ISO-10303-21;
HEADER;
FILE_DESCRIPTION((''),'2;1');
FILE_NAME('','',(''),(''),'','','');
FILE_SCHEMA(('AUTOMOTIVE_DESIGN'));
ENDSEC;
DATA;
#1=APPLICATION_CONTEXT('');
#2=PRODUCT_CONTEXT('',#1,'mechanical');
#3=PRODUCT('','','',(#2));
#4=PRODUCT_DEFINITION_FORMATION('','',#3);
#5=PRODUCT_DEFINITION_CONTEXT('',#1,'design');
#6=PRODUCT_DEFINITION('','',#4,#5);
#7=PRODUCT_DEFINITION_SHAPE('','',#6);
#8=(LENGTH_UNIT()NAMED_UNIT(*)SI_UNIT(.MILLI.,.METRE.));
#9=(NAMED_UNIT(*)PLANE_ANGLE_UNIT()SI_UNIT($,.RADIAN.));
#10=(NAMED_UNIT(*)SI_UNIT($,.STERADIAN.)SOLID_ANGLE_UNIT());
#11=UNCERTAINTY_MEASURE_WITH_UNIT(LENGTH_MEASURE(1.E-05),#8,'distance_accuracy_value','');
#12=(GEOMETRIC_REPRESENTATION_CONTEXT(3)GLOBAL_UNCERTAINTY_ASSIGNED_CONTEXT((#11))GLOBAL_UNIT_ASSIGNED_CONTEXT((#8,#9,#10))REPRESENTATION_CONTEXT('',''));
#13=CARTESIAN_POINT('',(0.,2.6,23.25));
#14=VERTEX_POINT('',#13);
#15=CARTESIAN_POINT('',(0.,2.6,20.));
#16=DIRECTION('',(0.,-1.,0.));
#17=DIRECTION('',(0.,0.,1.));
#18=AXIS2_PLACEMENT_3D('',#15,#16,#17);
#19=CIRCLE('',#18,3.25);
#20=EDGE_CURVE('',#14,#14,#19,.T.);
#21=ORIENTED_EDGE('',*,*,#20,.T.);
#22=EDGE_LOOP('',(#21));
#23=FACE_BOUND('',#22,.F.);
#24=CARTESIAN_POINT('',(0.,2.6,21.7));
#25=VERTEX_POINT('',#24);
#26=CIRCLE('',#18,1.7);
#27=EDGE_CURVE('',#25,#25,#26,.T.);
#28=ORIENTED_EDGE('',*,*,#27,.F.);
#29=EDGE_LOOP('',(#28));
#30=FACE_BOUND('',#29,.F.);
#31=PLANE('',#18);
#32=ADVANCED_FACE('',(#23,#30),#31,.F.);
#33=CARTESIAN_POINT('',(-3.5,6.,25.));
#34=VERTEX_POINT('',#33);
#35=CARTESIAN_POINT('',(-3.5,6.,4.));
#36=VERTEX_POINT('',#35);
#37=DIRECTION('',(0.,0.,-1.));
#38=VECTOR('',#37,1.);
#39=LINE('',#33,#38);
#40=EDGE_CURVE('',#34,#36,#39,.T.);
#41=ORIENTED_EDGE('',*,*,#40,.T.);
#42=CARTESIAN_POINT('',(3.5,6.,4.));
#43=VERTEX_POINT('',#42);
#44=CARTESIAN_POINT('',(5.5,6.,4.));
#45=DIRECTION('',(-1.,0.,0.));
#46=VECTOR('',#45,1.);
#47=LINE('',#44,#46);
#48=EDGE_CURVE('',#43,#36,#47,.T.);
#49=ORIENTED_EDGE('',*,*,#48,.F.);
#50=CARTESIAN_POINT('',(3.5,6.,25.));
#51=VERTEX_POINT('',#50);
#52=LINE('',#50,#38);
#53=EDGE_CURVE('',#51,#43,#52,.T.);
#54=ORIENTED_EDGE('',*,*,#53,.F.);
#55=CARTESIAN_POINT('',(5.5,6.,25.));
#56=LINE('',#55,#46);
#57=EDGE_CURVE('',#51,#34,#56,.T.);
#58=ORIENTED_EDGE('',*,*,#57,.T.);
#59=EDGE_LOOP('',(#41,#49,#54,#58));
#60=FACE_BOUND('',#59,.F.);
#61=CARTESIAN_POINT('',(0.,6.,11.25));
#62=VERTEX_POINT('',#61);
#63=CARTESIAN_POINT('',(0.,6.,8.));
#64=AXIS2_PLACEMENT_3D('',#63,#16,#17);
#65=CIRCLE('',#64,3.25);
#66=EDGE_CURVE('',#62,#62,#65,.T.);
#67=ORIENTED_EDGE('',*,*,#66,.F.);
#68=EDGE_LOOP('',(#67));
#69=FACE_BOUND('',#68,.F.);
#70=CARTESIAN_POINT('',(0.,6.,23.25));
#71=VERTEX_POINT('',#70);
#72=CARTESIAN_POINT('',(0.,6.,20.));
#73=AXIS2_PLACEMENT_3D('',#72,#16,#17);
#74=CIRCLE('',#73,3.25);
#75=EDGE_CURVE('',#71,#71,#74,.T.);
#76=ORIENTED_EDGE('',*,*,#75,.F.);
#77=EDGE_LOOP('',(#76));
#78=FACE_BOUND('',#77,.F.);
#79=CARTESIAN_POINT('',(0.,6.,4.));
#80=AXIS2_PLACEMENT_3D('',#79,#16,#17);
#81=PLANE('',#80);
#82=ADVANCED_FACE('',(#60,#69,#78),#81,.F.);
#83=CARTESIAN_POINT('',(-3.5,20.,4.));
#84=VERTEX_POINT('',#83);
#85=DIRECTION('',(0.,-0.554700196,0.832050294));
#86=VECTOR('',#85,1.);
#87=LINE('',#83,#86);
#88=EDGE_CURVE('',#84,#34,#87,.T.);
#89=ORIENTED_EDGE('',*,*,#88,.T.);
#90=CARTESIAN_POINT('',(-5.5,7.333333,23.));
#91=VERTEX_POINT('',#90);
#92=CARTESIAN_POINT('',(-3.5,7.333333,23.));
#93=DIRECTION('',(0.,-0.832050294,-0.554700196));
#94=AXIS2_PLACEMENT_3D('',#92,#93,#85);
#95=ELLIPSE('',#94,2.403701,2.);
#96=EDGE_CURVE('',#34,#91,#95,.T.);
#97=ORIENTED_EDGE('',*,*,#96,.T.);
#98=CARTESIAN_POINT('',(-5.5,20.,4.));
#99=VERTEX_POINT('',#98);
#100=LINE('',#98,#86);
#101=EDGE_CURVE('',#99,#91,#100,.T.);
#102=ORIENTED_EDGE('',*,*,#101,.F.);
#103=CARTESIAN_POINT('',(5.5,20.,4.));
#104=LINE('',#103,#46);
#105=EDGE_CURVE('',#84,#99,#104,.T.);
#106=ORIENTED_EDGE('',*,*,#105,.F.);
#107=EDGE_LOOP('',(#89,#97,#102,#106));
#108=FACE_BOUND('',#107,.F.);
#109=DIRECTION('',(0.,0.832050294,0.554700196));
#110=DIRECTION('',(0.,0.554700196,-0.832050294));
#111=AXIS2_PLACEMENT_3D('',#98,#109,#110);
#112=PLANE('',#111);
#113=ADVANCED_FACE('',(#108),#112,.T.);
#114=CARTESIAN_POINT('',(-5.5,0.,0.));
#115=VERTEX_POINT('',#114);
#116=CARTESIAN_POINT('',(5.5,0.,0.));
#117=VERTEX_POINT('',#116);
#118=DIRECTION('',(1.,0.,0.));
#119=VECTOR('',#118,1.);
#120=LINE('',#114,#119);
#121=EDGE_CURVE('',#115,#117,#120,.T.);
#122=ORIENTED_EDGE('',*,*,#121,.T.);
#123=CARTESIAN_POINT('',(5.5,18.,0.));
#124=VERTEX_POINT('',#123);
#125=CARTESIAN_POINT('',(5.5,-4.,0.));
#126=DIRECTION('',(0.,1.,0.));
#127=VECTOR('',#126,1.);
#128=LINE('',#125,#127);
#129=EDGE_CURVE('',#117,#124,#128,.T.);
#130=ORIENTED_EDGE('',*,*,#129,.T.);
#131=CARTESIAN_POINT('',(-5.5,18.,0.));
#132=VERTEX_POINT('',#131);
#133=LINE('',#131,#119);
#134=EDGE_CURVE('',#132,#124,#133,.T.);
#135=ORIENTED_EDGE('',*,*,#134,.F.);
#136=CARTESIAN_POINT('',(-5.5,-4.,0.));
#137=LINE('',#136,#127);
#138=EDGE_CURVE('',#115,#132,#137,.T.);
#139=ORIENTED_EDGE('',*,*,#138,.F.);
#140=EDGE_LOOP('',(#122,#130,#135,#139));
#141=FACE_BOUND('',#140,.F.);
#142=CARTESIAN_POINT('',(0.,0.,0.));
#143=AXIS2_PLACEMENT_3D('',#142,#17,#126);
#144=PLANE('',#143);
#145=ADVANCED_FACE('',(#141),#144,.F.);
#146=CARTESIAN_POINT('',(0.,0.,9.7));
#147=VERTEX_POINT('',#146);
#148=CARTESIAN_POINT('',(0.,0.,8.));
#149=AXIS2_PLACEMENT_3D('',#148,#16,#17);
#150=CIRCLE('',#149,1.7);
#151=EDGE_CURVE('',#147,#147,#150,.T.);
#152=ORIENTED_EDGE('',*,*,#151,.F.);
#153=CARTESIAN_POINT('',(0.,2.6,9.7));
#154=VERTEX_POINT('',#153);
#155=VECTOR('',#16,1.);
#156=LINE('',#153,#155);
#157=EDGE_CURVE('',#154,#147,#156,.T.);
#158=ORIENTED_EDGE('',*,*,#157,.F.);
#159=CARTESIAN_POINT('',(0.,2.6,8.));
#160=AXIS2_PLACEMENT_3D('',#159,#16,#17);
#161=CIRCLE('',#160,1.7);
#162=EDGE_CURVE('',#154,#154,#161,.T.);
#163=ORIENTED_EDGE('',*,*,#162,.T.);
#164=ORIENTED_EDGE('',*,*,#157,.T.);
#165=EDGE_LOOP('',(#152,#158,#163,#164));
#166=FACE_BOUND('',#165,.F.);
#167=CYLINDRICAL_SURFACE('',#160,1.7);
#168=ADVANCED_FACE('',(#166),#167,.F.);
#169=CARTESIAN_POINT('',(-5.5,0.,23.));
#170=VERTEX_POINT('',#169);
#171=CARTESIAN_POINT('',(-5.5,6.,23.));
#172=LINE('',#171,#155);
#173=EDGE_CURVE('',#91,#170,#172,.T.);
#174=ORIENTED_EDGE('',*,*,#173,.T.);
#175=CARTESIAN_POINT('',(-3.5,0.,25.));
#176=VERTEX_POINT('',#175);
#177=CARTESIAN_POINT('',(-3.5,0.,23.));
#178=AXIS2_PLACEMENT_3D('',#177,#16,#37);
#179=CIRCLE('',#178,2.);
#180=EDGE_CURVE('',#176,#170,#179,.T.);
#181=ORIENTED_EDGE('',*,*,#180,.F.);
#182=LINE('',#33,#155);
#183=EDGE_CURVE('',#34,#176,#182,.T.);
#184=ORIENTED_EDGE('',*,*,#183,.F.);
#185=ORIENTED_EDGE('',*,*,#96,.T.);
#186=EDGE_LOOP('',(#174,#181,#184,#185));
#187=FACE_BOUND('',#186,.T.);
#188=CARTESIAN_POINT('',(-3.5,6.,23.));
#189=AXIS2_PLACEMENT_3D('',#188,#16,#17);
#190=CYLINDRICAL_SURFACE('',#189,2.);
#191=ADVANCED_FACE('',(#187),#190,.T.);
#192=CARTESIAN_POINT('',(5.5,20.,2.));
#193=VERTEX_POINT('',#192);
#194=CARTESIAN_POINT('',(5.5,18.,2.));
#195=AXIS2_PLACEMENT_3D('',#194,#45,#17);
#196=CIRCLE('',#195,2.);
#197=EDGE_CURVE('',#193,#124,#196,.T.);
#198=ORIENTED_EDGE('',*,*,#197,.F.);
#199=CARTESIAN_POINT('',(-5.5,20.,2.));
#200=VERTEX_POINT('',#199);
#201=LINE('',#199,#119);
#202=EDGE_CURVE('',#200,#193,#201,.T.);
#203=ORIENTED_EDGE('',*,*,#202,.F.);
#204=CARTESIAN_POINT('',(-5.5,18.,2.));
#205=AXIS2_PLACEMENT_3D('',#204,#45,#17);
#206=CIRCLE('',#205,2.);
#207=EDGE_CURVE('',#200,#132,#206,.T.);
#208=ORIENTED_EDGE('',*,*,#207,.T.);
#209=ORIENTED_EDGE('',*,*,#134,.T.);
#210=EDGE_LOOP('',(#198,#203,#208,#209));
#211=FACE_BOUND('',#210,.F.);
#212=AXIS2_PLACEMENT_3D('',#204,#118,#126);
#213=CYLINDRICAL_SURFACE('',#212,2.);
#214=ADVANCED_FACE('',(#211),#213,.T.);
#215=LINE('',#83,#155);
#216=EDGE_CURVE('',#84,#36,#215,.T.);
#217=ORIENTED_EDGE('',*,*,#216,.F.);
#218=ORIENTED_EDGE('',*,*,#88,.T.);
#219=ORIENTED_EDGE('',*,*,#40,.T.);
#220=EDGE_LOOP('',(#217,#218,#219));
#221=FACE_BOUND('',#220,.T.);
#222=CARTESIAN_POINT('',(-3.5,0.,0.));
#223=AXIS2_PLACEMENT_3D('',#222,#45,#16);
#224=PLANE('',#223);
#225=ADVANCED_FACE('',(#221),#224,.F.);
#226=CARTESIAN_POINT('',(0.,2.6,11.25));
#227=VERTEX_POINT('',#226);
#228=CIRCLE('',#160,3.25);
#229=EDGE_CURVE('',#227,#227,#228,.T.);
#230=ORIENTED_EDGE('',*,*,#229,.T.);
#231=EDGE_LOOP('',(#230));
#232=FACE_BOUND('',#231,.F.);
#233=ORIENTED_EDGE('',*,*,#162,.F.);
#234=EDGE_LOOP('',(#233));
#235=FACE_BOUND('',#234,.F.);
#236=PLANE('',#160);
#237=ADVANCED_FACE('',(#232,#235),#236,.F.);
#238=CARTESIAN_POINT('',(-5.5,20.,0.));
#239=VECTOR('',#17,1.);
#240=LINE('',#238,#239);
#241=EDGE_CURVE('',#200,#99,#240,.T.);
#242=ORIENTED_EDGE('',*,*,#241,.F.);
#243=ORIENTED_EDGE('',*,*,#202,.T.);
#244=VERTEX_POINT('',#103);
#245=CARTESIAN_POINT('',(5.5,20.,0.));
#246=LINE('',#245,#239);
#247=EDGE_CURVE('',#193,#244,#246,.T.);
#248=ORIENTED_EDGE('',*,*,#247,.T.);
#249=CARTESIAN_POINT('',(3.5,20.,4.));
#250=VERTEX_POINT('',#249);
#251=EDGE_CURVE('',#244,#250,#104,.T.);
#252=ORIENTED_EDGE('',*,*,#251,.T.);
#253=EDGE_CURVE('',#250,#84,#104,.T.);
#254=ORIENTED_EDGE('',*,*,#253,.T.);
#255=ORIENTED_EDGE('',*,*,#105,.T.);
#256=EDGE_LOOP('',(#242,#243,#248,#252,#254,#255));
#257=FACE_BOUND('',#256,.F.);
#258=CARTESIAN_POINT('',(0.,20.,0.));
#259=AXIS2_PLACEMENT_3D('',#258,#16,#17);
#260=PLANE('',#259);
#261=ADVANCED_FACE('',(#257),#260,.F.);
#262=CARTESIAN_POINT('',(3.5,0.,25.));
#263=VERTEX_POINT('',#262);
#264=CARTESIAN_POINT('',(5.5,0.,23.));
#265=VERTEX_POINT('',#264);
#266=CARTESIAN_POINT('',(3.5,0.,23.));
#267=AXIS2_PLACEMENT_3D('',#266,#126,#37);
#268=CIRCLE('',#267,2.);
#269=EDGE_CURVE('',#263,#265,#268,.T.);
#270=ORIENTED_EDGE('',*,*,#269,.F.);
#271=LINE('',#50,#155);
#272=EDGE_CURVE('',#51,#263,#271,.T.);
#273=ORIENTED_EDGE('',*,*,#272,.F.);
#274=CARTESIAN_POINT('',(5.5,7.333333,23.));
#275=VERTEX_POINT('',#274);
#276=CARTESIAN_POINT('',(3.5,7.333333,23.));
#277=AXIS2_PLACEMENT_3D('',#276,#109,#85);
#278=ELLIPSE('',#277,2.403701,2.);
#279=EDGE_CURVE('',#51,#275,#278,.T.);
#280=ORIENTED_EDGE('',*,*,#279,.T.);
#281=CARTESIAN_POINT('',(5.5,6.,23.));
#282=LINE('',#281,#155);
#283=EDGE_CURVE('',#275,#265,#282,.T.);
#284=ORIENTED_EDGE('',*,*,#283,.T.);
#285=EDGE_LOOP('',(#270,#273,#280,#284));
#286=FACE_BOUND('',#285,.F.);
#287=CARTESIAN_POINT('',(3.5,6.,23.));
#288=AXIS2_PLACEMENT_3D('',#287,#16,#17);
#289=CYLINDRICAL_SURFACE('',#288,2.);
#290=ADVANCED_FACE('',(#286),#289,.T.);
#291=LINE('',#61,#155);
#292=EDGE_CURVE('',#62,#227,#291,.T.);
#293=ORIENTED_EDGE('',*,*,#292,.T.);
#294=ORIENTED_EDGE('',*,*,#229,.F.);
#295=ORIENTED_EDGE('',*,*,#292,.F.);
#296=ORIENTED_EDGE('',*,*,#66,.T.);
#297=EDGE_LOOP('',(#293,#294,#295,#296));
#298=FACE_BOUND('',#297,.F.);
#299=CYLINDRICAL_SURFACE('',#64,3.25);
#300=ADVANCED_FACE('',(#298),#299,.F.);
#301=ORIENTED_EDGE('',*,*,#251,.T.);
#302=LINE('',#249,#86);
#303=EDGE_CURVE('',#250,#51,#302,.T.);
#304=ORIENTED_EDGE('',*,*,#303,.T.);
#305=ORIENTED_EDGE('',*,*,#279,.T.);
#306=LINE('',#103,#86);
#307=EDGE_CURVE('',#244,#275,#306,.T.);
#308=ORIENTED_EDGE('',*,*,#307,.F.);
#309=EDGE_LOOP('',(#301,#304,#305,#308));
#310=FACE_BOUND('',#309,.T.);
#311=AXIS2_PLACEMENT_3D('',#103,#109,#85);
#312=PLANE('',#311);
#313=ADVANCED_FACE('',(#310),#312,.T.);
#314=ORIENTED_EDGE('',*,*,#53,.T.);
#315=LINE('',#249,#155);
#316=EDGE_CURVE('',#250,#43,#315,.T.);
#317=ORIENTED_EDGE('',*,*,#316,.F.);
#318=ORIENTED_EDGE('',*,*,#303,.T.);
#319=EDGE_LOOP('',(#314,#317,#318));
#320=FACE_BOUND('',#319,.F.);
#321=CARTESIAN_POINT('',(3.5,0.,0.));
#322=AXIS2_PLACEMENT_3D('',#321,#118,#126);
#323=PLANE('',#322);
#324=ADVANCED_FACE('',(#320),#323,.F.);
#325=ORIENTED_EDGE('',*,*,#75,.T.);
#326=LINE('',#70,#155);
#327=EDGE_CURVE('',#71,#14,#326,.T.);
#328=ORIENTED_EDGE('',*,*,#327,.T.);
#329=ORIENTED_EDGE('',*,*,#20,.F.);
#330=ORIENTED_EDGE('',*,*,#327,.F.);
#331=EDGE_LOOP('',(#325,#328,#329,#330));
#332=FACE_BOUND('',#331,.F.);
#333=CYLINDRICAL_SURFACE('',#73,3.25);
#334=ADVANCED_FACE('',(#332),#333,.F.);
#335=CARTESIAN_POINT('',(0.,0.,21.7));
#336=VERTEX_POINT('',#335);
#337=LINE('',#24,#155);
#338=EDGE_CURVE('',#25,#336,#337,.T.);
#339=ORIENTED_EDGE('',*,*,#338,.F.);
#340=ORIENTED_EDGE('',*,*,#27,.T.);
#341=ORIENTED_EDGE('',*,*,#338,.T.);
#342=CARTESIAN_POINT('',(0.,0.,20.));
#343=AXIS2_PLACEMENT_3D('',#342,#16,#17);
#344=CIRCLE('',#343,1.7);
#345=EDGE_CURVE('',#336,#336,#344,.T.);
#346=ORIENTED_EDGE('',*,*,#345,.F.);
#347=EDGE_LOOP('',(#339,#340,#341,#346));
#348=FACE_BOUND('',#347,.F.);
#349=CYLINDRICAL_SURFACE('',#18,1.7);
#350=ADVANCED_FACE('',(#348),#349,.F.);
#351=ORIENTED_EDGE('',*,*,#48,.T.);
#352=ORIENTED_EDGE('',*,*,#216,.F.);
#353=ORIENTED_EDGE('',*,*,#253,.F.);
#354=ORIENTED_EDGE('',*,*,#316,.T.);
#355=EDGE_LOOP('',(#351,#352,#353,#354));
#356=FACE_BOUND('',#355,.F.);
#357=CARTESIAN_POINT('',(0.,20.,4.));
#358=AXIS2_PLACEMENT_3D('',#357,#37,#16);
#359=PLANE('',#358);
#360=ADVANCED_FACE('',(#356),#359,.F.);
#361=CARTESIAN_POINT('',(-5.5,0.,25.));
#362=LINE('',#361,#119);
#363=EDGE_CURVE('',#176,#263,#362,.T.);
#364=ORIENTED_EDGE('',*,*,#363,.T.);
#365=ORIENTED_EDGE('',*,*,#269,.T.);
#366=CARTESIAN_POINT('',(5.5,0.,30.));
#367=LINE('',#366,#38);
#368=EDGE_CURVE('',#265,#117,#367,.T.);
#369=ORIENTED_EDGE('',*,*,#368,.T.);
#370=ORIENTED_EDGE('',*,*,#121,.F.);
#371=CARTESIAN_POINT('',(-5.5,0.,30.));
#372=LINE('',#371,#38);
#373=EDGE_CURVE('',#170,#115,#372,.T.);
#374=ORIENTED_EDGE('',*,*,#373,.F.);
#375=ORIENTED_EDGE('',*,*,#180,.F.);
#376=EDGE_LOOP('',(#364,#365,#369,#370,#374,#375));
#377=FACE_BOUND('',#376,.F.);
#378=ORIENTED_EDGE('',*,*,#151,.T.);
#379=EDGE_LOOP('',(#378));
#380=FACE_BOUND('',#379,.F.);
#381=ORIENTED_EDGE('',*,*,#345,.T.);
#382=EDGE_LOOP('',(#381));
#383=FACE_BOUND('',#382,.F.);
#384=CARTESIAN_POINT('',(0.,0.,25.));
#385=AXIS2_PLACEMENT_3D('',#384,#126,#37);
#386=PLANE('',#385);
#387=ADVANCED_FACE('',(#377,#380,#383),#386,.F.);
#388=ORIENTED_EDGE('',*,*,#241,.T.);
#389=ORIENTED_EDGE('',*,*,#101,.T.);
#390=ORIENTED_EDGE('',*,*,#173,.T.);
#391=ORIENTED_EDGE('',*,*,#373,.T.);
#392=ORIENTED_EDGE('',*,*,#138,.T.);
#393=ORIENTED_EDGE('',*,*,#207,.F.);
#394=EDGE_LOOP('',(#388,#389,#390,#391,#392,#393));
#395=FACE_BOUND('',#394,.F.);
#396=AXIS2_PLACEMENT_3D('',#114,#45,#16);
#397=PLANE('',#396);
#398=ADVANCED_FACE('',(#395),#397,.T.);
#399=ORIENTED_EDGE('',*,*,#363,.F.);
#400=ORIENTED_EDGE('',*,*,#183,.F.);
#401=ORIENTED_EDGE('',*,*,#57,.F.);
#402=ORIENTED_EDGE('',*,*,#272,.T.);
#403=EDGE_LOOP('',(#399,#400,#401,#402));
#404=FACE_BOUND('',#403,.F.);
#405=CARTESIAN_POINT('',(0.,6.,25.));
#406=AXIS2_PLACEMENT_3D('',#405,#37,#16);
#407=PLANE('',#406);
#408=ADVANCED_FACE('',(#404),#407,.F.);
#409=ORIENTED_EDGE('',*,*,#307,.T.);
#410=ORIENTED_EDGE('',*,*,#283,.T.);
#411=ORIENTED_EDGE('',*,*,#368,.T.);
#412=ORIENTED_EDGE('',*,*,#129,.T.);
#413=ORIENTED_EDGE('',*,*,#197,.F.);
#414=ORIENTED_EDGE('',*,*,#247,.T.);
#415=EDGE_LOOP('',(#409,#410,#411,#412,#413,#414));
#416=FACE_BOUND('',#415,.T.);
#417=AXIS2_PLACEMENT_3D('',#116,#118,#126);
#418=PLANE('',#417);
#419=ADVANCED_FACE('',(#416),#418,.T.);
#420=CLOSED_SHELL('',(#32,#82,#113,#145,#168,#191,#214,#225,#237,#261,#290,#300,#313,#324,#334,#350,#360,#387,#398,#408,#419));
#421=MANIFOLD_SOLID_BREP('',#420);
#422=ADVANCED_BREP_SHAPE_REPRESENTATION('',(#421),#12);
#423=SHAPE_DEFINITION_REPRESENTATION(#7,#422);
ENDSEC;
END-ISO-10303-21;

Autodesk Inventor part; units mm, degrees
ref_plane "YZ Plane" through (0, 0, 0) normal (1, 0, 0) x (0, 1, 0)
ref_plane "XZ Plane" through (0, 0, 0) normal (0, 1, 0) x (-1, 0, 0)
ref_plane "XY Plane" through (0, 0, 0) normal (0, 0, 1) x (1, 0, 0)
sketch "Skizze1" plane through (0, 0, 0) normal (1, 0, 0) x (0, 1, 0)
  line L0 (0, 30) -> (0, -5) projected
  line L1 (-4, 0) -> (24, 0) projected
  line L2 (0, 25) -> (0, 0)
  line L3 (0, 0) -> (20, 0)
  line L4 (20, 0) -> (20, 4)
  line L5 (20, 4) -> (6, 4)
  line L6 (6, 4) -> (6, 25)
  line L7 (6, 25) -> (0, 25)
  dimension "d0" = 20
  dimension "d1" = 25
  dimension "d2" = 4
  dimension "d3" = 6
extrude "Extrusion1" add sketch "Skizze1" along normal mid plane 11
sketch "Skizze2" plane through (-5.5, 6, 25) normal (0, 1, 0) x (1, 0, 0)
  line L0 (5.5, 30) -> (5.5, -5) projected
  line L1 (11, 0) -> (0, 0) projected
  point P0 (5.5, 25)
  point P1 (5.5, 5)
  point P2 (5.5, 17)
  dimension "d6" = 5
  dimension "d14" = 12
hole "Bohrung1" at (0, 6, 20) at (0, 6, 8) direction (0, -1, 0) diameter 3.4 end through all counterbore diameter 6.5 counterbore depth 3.4 clearance for "Inbusschraube ISO 4762" size "M3" standard "ISO"
sketch "Skizze3" plane through (0, 0, 0) normal (1, 0, 0) x (0, 1, 0)
  line L0 (20, 4) -> (6, 4) projected
  line L1 (6, 25) -> (0, 25) projected
  line L2 (20, 4) -> (6, 25)
  line L3 (6, 25) -> (6, 4)
  line L4 (6, 4) -> (20, 4)
  point P0 (0, 0)
  point P1 (6, 4)
extrude "Extrusion2" add sketch "Skizze3" against normal blind 2 from surface at 5.5
mirror "Spiegeln1" about plane through (0, 0, 0) normal (1, 0, 0) of "Extrusion2"
fillet "Rundung2" radius 2 3 edges at (0, 20, 0) (5.5, 3, 25) (-5.5, 3, 25)
properties part number "27_Switch_Holder_X" material "PET-Kunststoff"
